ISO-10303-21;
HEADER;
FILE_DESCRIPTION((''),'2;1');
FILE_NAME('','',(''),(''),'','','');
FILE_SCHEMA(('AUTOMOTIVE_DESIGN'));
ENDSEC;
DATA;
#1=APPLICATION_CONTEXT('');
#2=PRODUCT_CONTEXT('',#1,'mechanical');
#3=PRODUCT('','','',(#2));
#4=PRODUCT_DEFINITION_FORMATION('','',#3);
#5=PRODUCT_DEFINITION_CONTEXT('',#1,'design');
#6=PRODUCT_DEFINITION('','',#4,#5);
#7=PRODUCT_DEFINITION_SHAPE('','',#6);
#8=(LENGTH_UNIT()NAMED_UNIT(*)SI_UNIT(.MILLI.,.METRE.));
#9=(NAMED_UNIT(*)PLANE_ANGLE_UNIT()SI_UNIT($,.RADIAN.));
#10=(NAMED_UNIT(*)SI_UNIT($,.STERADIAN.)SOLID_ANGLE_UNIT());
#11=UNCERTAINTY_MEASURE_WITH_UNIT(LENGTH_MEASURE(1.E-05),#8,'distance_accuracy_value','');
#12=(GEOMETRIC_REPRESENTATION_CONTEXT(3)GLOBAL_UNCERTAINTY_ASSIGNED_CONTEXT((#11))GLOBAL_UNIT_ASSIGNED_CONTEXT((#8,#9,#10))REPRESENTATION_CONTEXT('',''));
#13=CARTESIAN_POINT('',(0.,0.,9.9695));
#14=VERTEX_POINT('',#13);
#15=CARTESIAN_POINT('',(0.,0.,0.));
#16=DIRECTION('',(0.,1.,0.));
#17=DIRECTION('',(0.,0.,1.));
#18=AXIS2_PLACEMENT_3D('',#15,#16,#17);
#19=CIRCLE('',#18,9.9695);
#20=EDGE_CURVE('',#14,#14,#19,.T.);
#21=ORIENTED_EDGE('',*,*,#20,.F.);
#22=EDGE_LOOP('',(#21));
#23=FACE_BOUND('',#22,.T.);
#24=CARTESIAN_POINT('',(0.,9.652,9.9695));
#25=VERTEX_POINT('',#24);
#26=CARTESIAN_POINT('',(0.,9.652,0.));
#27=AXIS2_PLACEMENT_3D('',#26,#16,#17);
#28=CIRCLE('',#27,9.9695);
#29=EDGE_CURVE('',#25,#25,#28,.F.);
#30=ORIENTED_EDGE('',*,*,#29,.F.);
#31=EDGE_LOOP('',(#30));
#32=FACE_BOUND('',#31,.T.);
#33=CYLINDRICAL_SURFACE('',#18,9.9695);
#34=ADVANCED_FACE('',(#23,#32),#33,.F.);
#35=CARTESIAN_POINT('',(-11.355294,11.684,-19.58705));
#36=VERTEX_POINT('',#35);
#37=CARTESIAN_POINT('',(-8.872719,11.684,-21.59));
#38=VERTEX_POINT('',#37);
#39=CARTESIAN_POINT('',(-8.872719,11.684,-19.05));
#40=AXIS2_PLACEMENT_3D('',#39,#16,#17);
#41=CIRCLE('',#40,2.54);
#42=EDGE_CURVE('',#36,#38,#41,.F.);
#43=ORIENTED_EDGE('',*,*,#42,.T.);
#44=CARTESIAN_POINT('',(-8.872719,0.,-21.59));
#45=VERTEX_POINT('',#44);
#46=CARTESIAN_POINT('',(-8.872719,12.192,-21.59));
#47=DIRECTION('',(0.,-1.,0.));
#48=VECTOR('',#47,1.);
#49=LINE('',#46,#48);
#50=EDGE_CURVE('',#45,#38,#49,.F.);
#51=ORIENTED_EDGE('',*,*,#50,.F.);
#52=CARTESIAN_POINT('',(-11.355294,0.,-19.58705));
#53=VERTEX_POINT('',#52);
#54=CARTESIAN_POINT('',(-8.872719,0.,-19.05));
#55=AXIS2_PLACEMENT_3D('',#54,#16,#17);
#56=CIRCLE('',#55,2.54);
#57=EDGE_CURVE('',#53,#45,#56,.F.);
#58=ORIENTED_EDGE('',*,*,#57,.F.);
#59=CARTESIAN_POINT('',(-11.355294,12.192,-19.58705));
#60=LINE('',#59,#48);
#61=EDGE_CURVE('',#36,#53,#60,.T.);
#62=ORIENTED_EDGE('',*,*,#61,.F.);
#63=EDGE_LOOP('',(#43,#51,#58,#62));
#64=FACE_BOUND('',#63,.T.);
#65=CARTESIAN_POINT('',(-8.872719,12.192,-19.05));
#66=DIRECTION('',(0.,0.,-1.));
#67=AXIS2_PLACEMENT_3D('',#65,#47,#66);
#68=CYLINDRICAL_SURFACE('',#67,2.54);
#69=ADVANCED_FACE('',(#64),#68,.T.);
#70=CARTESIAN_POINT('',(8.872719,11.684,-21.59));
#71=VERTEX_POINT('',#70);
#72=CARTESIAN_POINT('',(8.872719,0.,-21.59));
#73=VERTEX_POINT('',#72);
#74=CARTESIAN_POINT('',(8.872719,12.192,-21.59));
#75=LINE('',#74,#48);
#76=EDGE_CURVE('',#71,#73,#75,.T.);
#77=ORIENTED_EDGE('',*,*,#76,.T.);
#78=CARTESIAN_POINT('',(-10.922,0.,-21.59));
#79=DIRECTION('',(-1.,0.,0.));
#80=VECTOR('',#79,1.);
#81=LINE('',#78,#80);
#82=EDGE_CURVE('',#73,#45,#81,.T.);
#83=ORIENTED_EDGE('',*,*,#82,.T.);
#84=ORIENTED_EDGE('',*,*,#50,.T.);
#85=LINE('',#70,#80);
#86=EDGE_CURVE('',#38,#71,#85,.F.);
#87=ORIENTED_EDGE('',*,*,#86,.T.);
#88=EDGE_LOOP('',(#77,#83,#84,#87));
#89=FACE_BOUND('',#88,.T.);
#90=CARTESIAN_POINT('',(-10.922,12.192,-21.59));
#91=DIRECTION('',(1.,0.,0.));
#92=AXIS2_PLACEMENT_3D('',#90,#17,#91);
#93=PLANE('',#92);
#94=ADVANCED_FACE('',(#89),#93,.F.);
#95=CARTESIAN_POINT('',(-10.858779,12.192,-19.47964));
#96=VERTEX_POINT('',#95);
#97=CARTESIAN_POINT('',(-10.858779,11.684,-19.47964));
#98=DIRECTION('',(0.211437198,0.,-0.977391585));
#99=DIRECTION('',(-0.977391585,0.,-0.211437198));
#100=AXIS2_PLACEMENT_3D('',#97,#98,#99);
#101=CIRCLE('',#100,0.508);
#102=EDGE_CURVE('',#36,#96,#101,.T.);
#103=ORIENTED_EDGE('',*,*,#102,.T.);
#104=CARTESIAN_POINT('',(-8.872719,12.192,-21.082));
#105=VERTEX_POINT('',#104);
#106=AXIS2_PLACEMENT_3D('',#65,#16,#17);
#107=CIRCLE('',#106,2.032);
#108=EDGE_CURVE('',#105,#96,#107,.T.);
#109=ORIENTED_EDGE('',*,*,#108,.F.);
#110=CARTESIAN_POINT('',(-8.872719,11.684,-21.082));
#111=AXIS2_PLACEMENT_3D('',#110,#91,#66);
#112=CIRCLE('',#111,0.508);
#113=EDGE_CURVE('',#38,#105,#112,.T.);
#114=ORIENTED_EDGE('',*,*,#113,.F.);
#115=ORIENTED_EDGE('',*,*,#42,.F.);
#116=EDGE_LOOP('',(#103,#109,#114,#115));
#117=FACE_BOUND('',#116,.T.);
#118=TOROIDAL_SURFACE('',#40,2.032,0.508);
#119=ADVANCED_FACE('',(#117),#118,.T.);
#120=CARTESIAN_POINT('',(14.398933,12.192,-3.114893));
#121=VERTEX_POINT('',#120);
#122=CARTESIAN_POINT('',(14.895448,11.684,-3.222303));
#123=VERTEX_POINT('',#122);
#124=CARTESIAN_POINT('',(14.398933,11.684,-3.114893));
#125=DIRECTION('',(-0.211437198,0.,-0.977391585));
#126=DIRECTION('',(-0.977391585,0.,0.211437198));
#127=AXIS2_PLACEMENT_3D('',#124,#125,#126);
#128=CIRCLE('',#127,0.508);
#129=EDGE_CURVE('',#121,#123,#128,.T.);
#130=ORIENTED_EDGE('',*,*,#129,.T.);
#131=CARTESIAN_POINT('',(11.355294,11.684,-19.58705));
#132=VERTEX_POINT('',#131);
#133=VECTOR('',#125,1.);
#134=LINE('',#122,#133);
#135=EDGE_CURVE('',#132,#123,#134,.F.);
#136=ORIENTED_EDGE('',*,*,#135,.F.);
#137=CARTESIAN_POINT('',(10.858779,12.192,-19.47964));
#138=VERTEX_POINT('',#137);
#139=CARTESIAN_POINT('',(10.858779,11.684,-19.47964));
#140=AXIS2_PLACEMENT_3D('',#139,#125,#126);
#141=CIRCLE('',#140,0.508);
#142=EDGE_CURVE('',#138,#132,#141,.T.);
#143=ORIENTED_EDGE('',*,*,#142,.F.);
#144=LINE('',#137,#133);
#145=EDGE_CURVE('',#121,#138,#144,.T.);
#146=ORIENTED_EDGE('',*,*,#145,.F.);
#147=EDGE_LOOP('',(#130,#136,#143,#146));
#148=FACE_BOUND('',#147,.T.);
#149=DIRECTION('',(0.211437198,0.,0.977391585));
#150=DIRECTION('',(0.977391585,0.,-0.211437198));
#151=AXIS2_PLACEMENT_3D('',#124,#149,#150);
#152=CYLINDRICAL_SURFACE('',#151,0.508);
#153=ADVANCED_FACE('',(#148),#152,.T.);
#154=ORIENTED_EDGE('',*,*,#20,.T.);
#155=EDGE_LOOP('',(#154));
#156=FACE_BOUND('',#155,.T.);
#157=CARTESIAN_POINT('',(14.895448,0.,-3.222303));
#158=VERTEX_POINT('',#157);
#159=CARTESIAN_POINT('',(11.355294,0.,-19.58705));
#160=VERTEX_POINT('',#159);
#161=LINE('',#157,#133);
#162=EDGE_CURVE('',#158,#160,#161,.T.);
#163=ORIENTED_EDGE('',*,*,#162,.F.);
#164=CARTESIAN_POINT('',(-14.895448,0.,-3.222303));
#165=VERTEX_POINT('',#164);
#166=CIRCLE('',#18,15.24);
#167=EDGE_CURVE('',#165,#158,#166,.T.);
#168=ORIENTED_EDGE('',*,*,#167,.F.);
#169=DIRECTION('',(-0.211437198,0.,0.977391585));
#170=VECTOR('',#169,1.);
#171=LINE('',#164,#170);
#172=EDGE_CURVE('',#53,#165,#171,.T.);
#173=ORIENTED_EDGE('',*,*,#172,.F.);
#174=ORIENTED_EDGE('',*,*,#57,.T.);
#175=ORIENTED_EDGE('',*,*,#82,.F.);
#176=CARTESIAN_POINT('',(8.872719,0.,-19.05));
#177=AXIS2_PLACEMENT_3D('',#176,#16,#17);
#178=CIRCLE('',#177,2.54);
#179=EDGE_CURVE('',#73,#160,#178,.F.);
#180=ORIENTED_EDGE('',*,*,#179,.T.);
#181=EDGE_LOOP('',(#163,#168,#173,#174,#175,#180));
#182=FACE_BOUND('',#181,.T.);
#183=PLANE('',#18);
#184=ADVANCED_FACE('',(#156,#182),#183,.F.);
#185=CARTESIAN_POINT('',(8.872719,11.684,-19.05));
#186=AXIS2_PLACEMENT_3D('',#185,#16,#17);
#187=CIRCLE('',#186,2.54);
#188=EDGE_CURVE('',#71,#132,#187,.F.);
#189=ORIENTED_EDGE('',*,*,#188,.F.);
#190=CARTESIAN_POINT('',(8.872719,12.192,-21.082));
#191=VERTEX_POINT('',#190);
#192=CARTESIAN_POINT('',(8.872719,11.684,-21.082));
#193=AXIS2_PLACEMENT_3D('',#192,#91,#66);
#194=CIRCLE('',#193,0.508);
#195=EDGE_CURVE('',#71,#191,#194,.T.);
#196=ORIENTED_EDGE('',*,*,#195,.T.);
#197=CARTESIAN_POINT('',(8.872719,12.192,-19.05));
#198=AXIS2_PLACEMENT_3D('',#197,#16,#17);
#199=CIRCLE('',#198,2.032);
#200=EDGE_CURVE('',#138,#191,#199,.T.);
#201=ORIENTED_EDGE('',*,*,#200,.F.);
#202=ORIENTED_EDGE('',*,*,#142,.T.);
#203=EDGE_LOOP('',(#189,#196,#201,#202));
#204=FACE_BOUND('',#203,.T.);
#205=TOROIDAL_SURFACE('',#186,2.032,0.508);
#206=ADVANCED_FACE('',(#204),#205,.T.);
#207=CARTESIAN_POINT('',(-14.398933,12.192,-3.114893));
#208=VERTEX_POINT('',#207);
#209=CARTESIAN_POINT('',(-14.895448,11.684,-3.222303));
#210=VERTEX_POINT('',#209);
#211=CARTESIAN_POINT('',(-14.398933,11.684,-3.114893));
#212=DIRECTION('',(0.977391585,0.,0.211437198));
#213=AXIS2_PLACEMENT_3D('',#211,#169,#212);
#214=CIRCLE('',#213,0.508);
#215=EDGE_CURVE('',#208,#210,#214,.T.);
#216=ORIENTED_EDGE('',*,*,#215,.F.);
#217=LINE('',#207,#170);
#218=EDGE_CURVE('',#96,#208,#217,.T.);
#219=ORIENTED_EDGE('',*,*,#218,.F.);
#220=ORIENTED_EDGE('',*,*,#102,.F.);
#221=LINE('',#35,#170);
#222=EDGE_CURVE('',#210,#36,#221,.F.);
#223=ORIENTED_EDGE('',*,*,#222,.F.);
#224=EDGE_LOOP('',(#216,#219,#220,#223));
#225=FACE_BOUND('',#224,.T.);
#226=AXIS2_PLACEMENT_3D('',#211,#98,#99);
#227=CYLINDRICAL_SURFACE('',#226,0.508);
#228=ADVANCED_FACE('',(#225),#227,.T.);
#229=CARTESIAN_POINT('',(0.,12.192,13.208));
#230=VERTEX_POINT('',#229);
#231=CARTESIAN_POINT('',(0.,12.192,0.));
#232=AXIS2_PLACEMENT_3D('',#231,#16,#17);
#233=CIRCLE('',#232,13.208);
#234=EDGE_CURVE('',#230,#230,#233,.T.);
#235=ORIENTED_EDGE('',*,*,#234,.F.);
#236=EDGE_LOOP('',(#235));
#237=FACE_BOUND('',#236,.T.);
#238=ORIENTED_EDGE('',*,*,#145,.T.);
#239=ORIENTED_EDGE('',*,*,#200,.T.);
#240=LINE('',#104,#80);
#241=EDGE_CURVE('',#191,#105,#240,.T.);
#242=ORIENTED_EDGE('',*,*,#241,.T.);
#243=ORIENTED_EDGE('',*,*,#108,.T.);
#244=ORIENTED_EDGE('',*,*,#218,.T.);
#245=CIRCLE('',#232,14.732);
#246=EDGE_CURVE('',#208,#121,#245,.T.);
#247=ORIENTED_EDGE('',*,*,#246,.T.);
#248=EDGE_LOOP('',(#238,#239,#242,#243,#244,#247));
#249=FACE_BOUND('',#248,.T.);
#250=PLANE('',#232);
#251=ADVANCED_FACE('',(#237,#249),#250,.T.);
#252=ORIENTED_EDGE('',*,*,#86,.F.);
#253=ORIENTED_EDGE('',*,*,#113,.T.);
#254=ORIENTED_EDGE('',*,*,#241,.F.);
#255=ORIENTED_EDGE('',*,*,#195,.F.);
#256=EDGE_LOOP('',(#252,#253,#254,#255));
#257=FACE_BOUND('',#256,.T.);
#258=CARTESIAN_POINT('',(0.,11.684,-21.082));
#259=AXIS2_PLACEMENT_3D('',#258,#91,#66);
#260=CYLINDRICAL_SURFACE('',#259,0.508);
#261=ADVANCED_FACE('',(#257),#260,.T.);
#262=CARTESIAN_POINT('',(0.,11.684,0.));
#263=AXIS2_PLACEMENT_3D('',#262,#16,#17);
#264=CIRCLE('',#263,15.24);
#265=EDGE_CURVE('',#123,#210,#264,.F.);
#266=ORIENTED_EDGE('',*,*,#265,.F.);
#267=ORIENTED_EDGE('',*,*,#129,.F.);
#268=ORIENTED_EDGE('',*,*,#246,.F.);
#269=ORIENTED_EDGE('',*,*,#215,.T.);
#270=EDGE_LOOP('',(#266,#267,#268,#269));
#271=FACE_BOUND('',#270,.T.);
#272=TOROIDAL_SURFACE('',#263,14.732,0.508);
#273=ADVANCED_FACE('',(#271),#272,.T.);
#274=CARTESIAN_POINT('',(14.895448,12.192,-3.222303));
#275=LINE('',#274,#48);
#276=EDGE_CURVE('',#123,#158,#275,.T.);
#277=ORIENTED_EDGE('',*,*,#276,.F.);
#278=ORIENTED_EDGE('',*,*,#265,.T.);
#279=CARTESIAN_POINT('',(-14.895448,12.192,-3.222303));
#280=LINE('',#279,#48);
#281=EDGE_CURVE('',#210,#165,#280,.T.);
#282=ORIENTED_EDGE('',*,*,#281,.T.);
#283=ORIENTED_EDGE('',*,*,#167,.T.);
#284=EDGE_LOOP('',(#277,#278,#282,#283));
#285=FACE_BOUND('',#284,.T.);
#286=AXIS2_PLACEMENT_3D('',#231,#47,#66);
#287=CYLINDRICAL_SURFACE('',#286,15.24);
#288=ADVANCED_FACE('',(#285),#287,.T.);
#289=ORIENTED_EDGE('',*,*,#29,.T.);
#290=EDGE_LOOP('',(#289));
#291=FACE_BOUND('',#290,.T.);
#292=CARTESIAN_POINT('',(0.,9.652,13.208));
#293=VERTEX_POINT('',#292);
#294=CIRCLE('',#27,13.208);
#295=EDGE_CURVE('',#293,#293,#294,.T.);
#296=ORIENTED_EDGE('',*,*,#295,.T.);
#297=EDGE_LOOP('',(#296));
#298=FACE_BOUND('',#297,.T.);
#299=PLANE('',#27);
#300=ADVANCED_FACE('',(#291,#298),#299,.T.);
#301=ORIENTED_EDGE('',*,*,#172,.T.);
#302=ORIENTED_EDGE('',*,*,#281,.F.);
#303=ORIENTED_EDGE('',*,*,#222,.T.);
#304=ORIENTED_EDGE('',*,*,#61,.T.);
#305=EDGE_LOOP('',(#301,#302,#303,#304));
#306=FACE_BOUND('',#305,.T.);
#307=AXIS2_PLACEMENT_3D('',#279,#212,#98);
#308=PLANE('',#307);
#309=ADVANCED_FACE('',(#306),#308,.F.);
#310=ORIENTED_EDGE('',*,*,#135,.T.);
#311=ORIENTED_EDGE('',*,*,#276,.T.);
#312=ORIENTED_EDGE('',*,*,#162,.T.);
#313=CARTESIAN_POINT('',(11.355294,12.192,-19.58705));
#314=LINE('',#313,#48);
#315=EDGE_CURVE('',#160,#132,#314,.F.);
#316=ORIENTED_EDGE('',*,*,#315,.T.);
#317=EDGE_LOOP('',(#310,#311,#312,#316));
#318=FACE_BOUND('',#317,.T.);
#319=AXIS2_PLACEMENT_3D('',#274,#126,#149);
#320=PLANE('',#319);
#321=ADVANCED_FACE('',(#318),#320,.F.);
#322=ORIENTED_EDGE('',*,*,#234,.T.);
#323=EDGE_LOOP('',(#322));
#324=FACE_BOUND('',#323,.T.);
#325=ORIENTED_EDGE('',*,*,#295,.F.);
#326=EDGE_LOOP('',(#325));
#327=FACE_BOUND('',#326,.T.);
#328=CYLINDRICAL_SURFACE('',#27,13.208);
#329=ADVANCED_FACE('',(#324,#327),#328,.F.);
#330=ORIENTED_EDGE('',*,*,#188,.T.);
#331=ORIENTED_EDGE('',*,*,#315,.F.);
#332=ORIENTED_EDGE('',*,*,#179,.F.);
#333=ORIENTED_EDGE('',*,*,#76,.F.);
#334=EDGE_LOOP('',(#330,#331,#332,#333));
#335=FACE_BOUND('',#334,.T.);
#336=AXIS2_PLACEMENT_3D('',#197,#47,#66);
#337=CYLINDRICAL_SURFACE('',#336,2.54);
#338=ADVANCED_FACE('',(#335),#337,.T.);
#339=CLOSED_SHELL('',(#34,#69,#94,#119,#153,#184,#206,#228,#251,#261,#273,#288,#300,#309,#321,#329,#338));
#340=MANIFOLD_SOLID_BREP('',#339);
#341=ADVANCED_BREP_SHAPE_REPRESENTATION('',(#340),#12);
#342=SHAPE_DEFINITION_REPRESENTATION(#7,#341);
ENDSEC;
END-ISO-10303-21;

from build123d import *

# Parameters (mm, degrees)
EXTRUDE1_DEPTH = 12.192
FILLET2_R      = 2.54
FILLET1_R      = 0.508
SKETCH6_R      = 9.9695
EXTRUDE2_DEPTH = 13.192
SKETCH7_R      = 13.208
EXTRUDE3_DEPTH = 2.54


with BuildPart() as part:
    # Sketch5 → Extrude1 (new body)
    with BuildSketch(Plane(origin=(0, 0, 0), x_dir=(1, 0, 0), z_dir=(0, 1, 0))):
        with BuildLine():
            Line((-10.922, 21.59), (10.922, 21.59))
            Line((10.922, 21.59), (14.895447762, 3.222302897))
            ThreePointArc((14.895447762, 3.222302897), (0, -15.24), (-14.895447762, 3.222302897))
            Line((-14.895447762, 3.222302897), (-10.922, 21.59))
        make_face()
    extrude(amount=EXTRUDE1_DEPTH)

    # Fillet2
    fillet2_edges = [part.edges().sort_by_distance(p)[0] for p in [
        (-10.922, 6.096, -21.59),
        (10.922, 6.096, -21.59),
    ]]
    fillet(fillet2_edges, radius=FILLET2_R)

    # Fillet1
    fillet1_edges = [part.edges().sort_by_distance(p)[0] for p in [
        (13.125370945, 12.192, -11.40467669),
        (-13.125370945, 12.192, -11.40467669),
        (0, 12.192, -21.59),
        (10.467632001, 12.192, -21.026829308),
        (-10.467632001, 12.192, -21.026829308),
        (0, 12.192, 15.24),
    ]]
    fillet(fillet1_edges, radius=FILLET1_R)

    # Sketch6 → Extrude2 (cut, through all)
    with BuildSketch(Plane(origin=(0, 12.192, 0), x_dir=(1, 0, 0), z_dir=(0, 1, 0))):
        Circle(SKETCH6_R)
    extrude(amount=-EXTRUDE2_DEPTH, mode=Mode.SUBTRACT)

    # Sketch7 → Extrude3 (cut)
    with BuildSketch(Plane(origin=(0, 12.192, 0), x_dir=(1, 0, 0), z_dir=(0, 1, 0))):
        Circle(SKETCH7_R)
    extrude(amount=-EXTRUDE3_DEPTH, mode=Mode.SUBTRACT)


solid = part.part
